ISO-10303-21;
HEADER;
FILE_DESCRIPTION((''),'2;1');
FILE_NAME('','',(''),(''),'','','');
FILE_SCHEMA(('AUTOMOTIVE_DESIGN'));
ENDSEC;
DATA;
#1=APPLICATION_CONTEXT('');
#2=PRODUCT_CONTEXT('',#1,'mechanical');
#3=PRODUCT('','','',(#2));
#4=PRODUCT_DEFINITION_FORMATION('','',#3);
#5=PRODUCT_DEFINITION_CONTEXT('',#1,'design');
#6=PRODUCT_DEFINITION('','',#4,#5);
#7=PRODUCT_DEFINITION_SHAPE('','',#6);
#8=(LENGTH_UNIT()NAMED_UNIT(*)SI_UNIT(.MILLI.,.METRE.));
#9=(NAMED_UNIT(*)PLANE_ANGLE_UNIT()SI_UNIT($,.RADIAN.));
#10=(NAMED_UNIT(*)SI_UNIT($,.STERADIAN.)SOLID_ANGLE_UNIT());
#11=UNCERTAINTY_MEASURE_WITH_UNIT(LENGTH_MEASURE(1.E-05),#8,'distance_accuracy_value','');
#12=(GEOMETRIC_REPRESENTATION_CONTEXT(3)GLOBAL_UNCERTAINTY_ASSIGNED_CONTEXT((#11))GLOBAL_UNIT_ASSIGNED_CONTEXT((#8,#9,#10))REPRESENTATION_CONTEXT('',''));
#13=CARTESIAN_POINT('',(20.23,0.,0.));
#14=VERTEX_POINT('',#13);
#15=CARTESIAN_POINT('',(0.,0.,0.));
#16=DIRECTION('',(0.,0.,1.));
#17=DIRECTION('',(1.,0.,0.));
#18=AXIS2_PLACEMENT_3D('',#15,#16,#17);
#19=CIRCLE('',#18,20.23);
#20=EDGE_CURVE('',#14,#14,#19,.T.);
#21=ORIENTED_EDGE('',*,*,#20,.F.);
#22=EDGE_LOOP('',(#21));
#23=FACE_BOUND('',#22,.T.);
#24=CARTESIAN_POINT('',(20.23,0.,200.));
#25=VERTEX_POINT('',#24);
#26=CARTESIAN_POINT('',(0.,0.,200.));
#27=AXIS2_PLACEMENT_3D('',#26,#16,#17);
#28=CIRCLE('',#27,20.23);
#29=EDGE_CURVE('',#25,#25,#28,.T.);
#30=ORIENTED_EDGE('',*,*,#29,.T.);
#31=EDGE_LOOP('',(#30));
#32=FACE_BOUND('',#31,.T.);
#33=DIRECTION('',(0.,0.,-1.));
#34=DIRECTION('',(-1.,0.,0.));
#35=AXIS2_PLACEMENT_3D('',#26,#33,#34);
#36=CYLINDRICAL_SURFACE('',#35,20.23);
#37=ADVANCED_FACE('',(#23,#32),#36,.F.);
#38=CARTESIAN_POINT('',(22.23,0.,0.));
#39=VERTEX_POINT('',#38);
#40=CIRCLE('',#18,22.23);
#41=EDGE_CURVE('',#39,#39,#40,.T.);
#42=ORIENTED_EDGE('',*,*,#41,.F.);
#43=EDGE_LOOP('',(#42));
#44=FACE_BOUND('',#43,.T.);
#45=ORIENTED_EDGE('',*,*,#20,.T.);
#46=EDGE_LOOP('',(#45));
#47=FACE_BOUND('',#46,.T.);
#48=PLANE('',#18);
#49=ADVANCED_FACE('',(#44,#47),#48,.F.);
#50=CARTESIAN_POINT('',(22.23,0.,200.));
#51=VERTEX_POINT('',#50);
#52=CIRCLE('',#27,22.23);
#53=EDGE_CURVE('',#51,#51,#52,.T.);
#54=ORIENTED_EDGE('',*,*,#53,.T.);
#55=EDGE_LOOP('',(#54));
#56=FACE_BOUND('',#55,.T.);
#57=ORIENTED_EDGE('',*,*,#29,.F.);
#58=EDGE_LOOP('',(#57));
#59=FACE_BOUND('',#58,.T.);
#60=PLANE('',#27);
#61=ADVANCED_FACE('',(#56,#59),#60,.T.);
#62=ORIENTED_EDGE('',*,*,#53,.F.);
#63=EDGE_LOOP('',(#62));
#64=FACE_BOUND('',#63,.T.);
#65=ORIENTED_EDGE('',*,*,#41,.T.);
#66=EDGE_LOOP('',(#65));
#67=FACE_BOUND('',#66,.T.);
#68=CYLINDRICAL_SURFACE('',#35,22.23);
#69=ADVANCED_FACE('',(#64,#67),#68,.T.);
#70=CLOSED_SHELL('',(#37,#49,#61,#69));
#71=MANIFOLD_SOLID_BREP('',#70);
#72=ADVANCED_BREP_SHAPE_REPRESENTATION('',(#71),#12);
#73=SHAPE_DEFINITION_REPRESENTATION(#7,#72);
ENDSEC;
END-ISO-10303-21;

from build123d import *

# Parameters (mm, degrees)
ESBO_O1_R                = 22.23
ESBO_O1_R_2              = 20.23
RESSALTO_EXTRUS_O1_DEPTH = 200


with BuildPart() as part:
    # Esboço1 → Ressalto-extrusão1 (new body)
    with BuildSketch(Plane.XY):
        Circle(ESBO_O1_R)
        Circle(ESBO_O1_R_2, mode=Mode.SUBTRACT)
    extrude(amount=RESSALTO_EXTRUS_O1_DEPTH)


solid = part.part
